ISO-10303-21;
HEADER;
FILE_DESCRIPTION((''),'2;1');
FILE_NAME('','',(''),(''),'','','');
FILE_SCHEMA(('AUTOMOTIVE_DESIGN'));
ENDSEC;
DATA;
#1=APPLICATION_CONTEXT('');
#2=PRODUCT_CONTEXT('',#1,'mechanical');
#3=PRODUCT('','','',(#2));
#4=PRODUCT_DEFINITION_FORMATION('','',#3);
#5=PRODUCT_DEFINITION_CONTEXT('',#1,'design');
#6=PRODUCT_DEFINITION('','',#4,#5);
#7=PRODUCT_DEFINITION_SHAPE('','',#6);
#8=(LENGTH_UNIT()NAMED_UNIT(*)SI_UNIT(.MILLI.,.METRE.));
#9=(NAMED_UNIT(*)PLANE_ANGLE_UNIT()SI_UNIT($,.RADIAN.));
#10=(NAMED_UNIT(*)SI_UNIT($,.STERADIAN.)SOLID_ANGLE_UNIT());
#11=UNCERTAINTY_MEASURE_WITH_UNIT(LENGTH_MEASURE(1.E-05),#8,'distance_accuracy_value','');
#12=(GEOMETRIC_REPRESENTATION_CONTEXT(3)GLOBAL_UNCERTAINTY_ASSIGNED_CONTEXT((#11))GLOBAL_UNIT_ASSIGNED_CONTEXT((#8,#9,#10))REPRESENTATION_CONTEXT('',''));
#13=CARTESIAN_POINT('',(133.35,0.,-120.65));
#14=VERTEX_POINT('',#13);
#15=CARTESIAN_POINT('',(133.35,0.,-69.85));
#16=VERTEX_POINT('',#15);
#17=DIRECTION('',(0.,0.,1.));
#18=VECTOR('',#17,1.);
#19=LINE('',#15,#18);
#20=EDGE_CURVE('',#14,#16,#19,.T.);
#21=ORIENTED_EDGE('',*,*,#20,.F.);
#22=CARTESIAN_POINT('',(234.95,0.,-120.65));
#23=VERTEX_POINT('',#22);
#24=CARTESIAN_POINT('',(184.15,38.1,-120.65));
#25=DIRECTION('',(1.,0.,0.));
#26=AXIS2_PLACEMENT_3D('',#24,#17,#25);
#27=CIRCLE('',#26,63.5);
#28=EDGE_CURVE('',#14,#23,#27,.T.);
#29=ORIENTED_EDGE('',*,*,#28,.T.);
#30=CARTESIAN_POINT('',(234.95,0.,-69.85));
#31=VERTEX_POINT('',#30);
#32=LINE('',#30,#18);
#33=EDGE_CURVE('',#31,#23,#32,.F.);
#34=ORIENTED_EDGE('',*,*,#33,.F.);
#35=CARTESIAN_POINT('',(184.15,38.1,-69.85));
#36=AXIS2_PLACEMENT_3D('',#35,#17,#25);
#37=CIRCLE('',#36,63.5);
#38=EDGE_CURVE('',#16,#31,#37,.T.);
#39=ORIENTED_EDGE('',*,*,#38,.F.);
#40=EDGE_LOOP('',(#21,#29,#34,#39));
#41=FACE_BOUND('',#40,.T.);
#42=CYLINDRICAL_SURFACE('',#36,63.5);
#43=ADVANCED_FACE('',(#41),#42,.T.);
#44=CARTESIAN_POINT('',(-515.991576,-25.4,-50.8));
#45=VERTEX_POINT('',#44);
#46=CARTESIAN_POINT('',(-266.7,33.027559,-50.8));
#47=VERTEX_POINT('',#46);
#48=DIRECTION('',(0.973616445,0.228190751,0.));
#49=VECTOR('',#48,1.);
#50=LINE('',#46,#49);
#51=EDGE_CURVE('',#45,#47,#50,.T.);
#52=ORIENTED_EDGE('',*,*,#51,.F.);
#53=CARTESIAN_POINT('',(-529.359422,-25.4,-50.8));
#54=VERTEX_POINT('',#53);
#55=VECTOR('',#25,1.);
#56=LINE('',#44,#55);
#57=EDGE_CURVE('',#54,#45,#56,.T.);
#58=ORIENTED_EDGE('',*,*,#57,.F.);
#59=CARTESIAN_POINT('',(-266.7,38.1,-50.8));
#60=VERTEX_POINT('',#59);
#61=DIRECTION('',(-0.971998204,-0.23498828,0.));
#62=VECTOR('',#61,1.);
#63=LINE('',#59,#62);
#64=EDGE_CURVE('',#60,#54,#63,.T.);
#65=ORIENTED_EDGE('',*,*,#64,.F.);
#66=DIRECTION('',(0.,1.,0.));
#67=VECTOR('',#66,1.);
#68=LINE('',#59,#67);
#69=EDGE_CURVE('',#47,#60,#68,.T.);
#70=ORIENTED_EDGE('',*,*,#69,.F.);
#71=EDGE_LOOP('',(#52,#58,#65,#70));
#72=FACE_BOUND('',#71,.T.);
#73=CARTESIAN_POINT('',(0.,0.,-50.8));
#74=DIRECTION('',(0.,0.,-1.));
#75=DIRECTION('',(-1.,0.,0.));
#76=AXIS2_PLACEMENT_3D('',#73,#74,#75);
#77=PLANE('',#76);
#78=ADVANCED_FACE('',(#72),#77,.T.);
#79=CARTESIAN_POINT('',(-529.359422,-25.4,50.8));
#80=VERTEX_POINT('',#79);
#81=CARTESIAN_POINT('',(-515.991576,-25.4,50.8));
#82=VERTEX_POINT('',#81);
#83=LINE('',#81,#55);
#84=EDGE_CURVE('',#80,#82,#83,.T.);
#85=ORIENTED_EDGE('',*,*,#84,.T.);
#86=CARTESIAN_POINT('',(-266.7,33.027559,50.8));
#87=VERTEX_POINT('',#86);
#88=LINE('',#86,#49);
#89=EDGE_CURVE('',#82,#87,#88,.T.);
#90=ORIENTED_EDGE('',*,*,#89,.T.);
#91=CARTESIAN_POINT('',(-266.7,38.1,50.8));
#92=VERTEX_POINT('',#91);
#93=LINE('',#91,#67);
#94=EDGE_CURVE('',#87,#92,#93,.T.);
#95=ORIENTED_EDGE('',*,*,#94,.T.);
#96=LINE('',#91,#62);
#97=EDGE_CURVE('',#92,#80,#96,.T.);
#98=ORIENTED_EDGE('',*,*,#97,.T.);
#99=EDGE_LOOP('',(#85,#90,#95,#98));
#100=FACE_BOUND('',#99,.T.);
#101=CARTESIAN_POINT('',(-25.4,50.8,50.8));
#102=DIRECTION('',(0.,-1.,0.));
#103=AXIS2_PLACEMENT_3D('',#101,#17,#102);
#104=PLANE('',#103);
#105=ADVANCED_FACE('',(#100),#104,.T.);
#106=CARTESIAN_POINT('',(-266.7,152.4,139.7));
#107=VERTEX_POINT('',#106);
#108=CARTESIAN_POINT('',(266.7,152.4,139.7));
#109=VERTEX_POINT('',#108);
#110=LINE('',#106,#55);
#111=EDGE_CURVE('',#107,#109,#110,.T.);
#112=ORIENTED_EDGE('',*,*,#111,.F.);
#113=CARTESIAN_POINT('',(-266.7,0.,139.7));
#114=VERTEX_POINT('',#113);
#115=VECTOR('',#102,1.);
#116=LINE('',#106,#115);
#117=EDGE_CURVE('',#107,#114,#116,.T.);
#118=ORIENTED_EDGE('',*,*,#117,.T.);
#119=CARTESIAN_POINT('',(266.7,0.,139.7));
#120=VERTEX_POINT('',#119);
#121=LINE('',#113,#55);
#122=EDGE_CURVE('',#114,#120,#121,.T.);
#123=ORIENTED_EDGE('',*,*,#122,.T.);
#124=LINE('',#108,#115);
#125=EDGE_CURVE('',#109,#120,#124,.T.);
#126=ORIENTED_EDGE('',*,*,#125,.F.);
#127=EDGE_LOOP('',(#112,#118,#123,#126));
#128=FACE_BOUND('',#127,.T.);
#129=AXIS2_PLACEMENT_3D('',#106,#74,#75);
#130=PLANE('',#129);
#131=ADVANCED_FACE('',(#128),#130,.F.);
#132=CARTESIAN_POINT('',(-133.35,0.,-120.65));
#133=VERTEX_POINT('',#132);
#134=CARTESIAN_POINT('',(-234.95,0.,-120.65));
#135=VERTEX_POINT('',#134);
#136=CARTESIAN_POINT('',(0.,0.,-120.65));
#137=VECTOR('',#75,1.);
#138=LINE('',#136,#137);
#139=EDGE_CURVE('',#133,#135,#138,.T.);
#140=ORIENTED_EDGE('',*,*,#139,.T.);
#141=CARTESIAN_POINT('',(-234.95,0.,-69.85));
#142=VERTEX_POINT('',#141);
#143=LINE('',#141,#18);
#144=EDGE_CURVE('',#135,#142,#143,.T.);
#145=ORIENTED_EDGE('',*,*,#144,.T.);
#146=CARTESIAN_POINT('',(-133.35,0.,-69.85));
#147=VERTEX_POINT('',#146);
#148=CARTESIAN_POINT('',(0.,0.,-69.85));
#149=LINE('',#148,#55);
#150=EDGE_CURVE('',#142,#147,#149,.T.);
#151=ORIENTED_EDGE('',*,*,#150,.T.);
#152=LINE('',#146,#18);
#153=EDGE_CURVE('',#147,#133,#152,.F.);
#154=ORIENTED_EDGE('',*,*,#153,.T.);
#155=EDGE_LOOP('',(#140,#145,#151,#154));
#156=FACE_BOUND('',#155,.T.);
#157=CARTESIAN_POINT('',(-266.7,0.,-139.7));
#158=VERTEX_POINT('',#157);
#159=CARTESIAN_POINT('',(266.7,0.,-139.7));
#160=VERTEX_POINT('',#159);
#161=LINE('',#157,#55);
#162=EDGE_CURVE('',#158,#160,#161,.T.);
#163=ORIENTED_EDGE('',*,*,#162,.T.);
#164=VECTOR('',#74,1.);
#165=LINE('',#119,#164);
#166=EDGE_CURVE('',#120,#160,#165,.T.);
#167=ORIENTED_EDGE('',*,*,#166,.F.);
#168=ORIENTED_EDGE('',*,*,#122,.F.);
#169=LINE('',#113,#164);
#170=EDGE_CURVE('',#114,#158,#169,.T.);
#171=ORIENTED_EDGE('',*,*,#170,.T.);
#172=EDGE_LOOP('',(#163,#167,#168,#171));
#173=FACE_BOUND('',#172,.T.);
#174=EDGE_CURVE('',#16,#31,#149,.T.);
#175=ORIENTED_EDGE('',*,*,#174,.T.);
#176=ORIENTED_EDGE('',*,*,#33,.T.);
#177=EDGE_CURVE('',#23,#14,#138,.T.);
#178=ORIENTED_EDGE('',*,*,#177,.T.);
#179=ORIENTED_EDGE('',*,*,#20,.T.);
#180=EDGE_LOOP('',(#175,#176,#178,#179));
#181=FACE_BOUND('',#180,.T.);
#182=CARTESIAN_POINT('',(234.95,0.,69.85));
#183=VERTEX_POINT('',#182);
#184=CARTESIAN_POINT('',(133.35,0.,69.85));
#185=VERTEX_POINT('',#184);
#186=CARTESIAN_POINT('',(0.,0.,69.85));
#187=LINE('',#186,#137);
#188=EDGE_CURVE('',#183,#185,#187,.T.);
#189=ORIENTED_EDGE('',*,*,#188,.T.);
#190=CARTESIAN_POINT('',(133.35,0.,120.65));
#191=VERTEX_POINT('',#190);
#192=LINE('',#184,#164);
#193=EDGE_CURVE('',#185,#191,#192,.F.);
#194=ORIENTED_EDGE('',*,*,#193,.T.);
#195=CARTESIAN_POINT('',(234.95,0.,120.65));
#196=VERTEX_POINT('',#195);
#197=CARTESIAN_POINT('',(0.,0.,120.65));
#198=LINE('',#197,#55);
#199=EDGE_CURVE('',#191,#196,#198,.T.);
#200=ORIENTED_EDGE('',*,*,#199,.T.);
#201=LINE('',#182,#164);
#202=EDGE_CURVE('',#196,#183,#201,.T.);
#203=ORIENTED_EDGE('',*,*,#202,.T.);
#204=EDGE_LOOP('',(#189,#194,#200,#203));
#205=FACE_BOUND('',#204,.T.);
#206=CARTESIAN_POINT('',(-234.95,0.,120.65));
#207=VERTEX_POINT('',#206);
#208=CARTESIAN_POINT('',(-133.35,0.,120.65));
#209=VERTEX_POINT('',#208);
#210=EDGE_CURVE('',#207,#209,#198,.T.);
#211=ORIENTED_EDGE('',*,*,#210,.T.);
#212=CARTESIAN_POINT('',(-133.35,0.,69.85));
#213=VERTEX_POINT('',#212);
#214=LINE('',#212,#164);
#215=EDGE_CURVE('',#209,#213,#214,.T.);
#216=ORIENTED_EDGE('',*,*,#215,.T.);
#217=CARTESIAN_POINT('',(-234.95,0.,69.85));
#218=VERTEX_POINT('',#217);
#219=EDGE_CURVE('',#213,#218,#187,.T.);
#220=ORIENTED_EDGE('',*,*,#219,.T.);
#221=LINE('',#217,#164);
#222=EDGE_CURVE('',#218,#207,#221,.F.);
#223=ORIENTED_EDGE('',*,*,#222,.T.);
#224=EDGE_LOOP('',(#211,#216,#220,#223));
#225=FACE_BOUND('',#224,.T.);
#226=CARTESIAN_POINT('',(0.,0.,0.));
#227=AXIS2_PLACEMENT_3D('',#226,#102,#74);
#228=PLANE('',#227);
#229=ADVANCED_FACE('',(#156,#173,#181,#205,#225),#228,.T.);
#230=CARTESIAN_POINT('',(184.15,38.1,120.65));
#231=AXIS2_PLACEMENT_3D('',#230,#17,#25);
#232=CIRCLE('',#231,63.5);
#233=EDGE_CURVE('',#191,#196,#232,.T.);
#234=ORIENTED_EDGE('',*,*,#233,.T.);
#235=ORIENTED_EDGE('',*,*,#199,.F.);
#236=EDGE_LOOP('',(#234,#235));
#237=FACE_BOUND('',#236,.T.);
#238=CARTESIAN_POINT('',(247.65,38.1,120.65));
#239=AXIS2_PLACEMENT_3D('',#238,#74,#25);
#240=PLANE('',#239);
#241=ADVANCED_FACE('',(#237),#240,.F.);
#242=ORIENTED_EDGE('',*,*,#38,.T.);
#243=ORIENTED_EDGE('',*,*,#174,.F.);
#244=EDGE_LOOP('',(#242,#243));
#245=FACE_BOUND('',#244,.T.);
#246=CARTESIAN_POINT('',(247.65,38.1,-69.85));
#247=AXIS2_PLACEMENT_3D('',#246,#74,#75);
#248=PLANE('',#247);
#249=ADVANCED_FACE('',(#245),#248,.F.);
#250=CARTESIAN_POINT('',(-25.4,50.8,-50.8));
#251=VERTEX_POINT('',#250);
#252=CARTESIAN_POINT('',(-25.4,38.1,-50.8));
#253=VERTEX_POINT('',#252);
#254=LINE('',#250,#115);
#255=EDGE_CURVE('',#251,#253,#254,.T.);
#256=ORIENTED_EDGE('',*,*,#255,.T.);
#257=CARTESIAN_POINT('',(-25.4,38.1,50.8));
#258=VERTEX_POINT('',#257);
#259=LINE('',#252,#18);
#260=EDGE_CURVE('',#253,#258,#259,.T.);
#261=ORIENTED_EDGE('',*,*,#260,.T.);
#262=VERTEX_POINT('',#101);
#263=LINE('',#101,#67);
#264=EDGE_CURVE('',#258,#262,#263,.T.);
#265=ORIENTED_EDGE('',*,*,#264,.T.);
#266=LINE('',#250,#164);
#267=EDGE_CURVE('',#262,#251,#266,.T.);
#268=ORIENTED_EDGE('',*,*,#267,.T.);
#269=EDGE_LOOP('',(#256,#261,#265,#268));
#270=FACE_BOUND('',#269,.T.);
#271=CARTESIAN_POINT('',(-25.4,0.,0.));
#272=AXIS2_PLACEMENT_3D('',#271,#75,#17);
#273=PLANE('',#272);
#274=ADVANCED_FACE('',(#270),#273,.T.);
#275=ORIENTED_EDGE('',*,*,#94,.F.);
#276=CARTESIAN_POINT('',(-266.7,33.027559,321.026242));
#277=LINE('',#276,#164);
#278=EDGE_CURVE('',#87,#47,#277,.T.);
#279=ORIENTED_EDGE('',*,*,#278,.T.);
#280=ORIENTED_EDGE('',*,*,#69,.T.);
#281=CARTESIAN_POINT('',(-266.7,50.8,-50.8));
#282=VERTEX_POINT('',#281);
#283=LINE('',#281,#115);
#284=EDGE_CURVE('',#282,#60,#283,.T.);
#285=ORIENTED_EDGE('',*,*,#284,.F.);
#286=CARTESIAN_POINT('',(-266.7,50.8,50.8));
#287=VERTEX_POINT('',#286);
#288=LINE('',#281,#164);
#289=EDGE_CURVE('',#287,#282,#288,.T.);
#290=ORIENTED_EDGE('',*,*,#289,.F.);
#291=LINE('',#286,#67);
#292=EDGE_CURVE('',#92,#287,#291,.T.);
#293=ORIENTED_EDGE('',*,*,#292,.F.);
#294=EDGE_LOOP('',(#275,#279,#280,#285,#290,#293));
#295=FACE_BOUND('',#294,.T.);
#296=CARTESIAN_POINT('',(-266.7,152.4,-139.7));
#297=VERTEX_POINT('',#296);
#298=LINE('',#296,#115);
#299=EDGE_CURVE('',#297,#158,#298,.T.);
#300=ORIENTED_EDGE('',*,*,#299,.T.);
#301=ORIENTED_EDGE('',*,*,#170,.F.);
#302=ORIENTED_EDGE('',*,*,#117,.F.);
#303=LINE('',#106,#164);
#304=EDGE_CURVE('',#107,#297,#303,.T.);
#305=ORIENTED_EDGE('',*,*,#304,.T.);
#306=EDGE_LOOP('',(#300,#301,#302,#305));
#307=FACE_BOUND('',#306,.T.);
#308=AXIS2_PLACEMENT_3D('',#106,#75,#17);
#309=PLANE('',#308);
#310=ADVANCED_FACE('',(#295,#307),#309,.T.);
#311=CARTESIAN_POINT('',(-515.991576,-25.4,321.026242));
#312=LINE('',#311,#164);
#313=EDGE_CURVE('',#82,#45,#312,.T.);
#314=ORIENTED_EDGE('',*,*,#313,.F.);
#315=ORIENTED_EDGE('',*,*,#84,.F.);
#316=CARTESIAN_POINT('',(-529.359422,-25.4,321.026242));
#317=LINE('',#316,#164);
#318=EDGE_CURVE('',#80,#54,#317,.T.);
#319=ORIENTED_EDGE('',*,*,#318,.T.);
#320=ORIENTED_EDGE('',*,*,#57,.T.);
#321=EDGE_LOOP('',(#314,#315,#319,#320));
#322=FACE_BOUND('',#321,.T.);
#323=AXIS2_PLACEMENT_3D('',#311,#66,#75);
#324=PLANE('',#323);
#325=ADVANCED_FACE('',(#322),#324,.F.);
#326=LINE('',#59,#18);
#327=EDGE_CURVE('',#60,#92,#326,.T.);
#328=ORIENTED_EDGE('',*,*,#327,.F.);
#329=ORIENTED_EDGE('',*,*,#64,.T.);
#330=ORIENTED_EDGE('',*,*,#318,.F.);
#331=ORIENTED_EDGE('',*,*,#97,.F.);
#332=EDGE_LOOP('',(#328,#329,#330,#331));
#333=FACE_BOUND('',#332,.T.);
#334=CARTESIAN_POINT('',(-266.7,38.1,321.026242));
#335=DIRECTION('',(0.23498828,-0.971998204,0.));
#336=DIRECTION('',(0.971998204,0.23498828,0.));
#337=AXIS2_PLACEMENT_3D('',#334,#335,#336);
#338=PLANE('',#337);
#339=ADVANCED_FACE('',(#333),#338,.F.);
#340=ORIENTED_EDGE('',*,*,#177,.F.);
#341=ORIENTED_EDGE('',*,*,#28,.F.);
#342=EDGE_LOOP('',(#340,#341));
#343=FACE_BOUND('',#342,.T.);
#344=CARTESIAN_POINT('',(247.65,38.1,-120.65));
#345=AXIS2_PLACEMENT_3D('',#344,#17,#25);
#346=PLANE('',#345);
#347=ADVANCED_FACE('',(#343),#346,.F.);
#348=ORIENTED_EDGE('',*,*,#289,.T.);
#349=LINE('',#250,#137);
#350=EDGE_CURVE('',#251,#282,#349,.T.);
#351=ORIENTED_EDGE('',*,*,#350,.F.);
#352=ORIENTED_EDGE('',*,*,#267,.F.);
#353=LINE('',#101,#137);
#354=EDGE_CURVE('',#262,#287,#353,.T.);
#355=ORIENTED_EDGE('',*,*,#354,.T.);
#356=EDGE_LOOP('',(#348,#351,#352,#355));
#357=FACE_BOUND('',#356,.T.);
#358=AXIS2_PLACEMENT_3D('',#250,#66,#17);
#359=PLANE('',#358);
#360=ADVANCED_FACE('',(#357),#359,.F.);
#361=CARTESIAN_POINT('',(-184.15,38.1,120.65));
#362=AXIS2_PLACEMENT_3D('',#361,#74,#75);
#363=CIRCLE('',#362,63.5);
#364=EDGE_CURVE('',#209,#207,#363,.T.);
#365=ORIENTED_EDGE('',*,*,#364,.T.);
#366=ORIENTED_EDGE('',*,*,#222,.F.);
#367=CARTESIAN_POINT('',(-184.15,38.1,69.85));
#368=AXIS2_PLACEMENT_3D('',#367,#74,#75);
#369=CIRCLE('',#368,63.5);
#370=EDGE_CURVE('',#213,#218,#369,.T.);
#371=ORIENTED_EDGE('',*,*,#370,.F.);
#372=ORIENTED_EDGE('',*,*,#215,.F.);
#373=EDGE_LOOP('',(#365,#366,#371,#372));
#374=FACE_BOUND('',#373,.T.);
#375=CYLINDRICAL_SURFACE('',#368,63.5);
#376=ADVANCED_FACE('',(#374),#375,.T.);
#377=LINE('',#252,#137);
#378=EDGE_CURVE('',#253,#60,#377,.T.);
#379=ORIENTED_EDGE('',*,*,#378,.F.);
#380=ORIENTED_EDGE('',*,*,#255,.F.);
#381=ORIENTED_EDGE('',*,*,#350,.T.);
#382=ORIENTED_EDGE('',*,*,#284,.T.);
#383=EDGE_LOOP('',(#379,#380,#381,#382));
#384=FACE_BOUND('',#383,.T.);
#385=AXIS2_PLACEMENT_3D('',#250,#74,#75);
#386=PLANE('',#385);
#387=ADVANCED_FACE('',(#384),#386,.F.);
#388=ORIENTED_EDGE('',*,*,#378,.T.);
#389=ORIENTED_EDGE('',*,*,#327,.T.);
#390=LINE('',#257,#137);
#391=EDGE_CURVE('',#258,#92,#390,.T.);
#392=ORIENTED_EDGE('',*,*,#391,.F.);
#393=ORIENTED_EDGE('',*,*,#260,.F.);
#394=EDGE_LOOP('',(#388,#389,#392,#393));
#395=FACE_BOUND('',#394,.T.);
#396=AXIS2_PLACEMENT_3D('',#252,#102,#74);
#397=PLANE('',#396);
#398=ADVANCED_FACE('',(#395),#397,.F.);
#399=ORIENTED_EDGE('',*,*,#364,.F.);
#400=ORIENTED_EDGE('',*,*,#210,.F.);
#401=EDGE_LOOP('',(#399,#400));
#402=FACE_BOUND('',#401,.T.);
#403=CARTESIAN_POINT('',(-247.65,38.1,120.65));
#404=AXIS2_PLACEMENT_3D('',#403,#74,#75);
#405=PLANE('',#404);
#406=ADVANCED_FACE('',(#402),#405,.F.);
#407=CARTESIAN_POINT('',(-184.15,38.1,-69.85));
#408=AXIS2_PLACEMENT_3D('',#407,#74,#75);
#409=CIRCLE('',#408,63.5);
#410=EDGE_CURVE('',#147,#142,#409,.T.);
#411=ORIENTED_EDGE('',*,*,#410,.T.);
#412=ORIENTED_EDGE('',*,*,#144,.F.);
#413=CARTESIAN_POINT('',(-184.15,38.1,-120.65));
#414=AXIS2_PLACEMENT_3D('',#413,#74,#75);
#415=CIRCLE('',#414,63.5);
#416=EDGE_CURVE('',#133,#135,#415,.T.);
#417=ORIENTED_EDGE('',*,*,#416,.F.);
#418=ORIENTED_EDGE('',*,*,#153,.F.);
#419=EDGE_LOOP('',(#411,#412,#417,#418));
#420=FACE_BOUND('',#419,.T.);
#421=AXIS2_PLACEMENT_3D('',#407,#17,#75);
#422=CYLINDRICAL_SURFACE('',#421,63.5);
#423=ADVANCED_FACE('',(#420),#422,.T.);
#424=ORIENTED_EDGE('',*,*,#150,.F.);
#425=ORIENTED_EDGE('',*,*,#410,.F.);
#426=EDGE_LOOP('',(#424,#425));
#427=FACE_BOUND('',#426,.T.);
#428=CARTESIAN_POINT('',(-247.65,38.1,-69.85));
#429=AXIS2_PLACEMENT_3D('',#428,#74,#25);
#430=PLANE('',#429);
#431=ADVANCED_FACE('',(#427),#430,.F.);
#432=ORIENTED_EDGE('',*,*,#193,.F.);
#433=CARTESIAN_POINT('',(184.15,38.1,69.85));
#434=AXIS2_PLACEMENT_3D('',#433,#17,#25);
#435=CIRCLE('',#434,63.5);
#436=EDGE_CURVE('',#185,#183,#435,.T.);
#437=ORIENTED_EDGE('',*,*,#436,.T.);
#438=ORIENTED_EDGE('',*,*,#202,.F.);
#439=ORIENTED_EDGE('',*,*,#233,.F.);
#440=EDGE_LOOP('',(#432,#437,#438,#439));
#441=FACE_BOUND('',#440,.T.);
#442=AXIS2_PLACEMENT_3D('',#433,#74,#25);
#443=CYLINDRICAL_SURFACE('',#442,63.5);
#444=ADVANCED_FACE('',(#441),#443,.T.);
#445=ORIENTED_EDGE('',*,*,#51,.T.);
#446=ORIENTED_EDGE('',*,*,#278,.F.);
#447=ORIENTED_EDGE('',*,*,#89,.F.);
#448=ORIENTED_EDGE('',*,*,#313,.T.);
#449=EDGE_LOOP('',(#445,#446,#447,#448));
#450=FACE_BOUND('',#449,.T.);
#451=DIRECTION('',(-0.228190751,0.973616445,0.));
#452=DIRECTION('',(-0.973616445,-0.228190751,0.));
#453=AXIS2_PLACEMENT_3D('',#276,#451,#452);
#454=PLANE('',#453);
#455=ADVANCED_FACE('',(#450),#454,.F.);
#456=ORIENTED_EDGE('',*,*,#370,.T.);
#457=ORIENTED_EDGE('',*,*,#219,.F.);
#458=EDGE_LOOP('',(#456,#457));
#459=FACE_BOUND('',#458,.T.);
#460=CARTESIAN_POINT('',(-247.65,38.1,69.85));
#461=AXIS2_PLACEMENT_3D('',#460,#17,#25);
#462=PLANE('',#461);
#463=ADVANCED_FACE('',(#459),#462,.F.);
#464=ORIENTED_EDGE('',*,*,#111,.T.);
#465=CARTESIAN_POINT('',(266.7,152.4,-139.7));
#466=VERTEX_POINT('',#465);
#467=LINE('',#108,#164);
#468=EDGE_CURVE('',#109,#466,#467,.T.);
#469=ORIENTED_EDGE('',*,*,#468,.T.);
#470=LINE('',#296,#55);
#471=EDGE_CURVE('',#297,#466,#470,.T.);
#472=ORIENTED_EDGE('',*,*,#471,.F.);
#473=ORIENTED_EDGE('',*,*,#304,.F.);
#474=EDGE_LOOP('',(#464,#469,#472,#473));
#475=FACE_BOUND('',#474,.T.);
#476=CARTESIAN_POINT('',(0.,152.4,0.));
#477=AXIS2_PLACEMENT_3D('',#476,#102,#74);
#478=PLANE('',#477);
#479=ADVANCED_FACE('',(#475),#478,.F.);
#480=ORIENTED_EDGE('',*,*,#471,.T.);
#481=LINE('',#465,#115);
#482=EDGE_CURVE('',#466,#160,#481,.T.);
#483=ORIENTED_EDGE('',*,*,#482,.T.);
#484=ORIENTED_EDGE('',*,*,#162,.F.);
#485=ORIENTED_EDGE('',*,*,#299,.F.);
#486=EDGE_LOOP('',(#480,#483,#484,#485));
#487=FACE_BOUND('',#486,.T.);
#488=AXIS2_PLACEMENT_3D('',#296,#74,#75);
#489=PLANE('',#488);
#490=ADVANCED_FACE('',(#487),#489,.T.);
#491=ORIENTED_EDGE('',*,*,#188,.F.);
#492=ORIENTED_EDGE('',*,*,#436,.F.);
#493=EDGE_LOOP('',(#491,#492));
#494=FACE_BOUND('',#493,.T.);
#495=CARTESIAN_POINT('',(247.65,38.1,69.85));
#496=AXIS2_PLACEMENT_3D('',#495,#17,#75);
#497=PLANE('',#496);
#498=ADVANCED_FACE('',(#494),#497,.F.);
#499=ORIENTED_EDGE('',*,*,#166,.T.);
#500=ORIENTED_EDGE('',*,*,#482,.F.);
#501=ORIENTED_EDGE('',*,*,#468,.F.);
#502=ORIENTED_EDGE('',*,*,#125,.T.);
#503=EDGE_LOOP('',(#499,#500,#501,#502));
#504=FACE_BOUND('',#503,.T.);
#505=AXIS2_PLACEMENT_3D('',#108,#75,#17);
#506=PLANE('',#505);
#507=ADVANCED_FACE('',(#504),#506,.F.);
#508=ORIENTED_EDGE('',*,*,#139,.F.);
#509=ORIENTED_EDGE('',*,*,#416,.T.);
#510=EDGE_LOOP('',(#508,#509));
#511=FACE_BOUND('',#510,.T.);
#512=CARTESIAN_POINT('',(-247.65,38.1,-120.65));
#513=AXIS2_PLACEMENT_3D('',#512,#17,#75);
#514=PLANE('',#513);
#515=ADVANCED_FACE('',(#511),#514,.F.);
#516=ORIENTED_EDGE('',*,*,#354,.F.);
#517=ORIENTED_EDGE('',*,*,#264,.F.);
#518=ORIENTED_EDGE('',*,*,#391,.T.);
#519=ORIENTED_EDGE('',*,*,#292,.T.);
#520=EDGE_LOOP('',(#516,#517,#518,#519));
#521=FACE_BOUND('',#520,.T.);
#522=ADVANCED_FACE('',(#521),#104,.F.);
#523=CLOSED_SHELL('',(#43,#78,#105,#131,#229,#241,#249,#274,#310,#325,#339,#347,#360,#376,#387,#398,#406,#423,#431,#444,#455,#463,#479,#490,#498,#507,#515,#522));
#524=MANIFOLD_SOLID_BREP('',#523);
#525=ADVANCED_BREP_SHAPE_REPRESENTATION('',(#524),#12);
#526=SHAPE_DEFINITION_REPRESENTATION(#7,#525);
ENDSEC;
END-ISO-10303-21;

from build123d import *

# Parameters (mm, degrees)
CHASIS_W                = 533.4
CHASIS_H                = 279.4
BOSS_EXTRUDE1_DEPTH     = 152.4
SKETCH3_W               = 63.5
SKETCH3_H               = 50.8
MIRROR2_COPY_1_SKETCH_W = 63.5
MIRROR2_COPY_1_SKETCH_H = 50.8
SKETCH4_W               = 101.6
SKETCH4_H               = 12.7
CUT_EXTRUDE1_DEPTH      = 241.3
BOSS_EXTRUDE2_DEPTH     = 101.6


with BuildPart() as part:
    # Chasis → Boss-Extrude1 (new body)
    with BuildSketch(Plane(origin=(0, 0, 0), x_dir=(1, 0, 0), z_dir=(0, 1, 0))):
        Rectangle(CHASIS_W, CHASIS_H)
    extrude(amount=BOSS_EXTRUDE1_DEPTH)

    # Sketch3 → Revolve2 (revolve)
    with BuildSketch(Plane(origin=(0, 38.1, 0), x_dir=(-1, 0, 0), z_dir=(0, -1, 0))):
        with Locations((215.9, -95.25)):
            Rectangle(SKETCH3_W, SKETCH3_H)
    revolve2 = revolve(axis=Axis((-184.15, 38.1, 69.85), (0, 0, 1)))

    # Mirror1: Revolve2 across plane
    add(revolve2.mirror(Plane.XY))

    # Mirror2: Revolve2 across plane
    add(revolve2.mirror(Plane(origin=(0, 0, 0), x_dir=(0, 0, 1), z_dir=(1, 0, 0))))

    # Mirror2 copy 1 sketch → Mirror2 copy 1 (revolve)
    with BuildSketch(Plane.XZ.offset(-38.1)):
        with Locations((215.9, -95.25)):
            Rectangle(MIRROR2_COPY_1_SKETCH_W, MIRROR2_COPY_1_SKETCH_H)
    revolve(axis=Axis((184.15, 38.1, -69.85), (0, 0, -1)))

    # Sketch4 → Cut-Extrude1 (cut)
    with BuildSketch(Plane.ZY.offset(266.7)):
        with Locations((0, 44.45)):
            Rectangle(SKETCH4_W, SKETCH4_H)
    extrude(amount=-CUT_EXTRUDE1_DEPTH, mode=Mode.SUBTRACT)

    # Sketch7 → Boss-Extrude2 (add)
    with BuildSketch(Plane.XY.offset(-50.8)):
        Polygon((-266.7, 38.1), (-529.359422098, -25.4), (-515.991575795, -25.4), (-266.7, 33.027558643), align=None)
    extrude(amount=BOSS_EXTRUDE2_DEPTH)


solid = part.part
